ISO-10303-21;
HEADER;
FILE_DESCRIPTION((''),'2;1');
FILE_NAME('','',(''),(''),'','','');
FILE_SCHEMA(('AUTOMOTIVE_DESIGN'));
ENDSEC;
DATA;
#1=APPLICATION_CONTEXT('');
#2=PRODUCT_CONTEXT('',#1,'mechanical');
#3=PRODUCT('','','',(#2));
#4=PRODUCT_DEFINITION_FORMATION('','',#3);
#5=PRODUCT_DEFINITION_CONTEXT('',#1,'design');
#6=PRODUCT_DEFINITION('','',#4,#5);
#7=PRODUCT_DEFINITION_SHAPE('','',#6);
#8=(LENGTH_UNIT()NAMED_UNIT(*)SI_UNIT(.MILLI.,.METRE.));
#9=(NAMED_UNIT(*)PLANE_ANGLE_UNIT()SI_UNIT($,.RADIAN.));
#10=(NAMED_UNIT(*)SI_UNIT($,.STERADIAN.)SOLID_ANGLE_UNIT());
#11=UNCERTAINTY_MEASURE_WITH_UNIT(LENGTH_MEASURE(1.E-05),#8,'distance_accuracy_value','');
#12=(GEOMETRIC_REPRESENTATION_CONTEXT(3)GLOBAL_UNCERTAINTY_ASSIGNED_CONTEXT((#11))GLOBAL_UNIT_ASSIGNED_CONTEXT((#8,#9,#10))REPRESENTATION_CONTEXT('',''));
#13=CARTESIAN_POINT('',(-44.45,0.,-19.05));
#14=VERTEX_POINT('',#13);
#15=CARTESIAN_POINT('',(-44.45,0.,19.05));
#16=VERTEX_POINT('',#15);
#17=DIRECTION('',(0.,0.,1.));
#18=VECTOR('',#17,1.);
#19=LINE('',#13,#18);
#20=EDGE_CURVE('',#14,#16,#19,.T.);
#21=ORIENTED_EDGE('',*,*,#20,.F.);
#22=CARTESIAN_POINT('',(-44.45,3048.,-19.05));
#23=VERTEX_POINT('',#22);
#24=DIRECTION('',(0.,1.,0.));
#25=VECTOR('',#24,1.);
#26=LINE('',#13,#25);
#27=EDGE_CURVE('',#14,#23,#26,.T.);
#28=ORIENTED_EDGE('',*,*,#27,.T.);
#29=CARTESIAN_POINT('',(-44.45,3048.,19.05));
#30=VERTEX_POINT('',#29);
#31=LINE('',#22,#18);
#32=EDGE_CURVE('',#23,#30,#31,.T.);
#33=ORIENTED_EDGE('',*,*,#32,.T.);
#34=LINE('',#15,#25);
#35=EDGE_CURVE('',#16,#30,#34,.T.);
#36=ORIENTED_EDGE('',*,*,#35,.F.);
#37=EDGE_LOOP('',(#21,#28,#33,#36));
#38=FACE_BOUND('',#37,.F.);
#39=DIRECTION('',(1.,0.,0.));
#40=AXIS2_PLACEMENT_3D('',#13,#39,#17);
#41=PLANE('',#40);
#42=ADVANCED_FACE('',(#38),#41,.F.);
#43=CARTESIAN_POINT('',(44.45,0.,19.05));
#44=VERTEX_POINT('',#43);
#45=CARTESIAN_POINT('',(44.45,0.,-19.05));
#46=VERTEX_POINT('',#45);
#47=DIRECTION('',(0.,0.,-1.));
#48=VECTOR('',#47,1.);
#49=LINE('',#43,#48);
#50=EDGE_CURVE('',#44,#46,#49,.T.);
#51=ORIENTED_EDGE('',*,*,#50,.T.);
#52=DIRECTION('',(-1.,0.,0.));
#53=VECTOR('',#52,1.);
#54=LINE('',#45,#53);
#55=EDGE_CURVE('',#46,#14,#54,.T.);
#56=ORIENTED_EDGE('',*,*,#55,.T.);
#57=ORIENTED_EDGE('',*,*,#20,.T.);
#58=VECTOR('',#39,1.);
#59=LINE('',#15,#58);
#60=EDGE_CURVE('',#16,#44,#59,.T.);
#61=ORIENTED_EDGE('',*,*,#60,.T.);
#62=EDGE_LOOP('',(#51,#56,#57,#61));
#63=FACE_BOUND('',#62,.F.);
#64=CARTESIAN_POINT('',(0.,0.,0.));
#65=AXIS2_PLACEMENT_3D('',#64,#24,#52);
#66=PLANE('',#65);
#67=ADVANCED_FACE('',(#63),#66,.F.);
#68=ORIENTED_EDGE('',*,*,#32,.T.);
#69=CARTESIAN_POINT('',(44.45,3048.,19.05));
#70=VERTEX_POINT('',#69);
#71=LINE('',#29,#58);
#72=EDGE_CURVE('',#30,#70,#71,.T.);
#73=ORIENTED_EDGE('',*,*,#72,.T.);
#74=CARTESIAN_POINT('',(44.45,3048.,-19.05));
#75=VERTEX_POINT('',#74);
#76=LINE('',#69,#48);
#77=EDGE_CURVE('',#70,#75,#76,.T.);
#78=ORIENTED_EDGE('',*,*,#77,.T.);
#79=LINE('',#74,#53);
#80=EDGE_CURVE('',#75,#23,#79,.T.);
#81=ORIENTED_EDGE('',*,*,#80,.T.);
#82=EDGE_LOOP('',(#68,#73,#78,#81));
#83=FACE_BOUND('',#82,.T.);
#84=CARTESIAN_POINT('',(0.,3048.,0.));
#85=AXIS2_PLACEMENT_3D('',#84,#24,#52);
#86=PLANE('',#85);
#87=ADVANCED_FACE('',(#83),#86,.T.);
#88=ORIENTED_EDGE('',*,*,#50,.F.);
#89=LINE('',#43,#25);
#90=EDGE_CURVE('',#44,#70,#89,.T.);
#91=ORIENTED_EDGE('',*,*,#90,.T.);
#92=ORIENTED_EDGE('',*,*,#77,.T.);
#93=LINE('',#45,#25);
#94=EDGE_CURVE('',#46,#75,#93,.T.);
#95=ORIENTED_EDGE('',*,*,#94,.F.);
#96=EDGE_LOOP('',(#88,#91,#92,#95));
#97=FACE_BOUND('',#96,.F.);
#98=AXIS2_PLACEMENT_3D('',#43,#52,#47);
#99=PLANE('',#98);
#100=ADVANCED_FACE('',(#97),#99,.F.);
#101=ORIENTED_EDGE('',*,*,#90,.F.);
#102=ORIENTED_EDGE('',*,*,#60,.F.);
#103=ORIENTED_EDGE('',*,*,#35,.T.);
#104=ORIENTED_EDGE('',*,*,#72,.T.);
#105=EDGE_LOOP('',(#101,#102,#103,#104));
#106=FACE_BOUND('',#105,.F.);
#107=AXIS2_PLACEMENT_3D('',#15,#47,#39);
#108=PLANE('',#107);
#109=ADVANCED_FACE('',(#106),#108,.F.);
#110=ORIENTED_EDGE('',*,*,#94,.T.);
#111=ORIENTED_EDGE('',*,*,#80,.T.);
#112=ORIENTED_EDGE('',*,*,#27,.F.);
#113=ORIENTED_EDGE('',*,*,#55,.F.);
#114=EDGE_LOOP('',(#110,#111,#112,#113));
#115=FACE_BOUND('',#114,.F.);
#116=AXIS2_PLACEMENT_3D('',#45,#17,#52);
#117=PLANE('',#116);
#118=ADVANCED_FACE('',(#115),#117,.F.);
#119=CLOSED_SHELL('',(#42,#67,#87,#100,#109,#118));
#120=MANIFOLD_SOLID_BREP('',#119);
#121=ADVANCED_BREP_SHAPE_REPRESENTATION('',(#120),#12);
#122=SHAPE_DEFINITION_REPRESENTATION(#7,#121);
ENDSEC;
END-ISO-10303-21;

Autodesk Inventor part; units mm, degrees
ref_plane "YZ Plane" through (0, 0, 0) normal (1, 0, 0) x (0, 1, 0)
ref_plane "XZ Plane" through (0, 0, 0) normal (0, 1, 0) x (-1, 0, 0)
ref_plane "XY Plane" through (0, 0, 0) normal (0, 0, 1) x (1, 0, 0)
sketch "Sketch1" plane through (0, 0, 0) normal (0, 1, 0) x (-1, 0, 0)
  line L0 (-44.45, -19.05) -> (44.45, -19.05)
  line L1 (44.45, -19.05) -> (44.45, 19.05)
  line L2 (44.45, 19.05) -> (-44.45, 19.05)
  line L3 (-44.45, 19.05) -> (-44.45, -19.05)
  line L4 (-44.45, -19.05) -> (44.45, 19.05) construction
  line L5 (44.45, -19.05) -> (-44.45, 19.05) construction
  point P0 (0, 0)
  dimension "d0" = 38.1
  dimension "d1" = 88.9
extrude "Extrusion1" add sketch "Sketch1" along normal blind 3048
properties part number "10'x2x4"
